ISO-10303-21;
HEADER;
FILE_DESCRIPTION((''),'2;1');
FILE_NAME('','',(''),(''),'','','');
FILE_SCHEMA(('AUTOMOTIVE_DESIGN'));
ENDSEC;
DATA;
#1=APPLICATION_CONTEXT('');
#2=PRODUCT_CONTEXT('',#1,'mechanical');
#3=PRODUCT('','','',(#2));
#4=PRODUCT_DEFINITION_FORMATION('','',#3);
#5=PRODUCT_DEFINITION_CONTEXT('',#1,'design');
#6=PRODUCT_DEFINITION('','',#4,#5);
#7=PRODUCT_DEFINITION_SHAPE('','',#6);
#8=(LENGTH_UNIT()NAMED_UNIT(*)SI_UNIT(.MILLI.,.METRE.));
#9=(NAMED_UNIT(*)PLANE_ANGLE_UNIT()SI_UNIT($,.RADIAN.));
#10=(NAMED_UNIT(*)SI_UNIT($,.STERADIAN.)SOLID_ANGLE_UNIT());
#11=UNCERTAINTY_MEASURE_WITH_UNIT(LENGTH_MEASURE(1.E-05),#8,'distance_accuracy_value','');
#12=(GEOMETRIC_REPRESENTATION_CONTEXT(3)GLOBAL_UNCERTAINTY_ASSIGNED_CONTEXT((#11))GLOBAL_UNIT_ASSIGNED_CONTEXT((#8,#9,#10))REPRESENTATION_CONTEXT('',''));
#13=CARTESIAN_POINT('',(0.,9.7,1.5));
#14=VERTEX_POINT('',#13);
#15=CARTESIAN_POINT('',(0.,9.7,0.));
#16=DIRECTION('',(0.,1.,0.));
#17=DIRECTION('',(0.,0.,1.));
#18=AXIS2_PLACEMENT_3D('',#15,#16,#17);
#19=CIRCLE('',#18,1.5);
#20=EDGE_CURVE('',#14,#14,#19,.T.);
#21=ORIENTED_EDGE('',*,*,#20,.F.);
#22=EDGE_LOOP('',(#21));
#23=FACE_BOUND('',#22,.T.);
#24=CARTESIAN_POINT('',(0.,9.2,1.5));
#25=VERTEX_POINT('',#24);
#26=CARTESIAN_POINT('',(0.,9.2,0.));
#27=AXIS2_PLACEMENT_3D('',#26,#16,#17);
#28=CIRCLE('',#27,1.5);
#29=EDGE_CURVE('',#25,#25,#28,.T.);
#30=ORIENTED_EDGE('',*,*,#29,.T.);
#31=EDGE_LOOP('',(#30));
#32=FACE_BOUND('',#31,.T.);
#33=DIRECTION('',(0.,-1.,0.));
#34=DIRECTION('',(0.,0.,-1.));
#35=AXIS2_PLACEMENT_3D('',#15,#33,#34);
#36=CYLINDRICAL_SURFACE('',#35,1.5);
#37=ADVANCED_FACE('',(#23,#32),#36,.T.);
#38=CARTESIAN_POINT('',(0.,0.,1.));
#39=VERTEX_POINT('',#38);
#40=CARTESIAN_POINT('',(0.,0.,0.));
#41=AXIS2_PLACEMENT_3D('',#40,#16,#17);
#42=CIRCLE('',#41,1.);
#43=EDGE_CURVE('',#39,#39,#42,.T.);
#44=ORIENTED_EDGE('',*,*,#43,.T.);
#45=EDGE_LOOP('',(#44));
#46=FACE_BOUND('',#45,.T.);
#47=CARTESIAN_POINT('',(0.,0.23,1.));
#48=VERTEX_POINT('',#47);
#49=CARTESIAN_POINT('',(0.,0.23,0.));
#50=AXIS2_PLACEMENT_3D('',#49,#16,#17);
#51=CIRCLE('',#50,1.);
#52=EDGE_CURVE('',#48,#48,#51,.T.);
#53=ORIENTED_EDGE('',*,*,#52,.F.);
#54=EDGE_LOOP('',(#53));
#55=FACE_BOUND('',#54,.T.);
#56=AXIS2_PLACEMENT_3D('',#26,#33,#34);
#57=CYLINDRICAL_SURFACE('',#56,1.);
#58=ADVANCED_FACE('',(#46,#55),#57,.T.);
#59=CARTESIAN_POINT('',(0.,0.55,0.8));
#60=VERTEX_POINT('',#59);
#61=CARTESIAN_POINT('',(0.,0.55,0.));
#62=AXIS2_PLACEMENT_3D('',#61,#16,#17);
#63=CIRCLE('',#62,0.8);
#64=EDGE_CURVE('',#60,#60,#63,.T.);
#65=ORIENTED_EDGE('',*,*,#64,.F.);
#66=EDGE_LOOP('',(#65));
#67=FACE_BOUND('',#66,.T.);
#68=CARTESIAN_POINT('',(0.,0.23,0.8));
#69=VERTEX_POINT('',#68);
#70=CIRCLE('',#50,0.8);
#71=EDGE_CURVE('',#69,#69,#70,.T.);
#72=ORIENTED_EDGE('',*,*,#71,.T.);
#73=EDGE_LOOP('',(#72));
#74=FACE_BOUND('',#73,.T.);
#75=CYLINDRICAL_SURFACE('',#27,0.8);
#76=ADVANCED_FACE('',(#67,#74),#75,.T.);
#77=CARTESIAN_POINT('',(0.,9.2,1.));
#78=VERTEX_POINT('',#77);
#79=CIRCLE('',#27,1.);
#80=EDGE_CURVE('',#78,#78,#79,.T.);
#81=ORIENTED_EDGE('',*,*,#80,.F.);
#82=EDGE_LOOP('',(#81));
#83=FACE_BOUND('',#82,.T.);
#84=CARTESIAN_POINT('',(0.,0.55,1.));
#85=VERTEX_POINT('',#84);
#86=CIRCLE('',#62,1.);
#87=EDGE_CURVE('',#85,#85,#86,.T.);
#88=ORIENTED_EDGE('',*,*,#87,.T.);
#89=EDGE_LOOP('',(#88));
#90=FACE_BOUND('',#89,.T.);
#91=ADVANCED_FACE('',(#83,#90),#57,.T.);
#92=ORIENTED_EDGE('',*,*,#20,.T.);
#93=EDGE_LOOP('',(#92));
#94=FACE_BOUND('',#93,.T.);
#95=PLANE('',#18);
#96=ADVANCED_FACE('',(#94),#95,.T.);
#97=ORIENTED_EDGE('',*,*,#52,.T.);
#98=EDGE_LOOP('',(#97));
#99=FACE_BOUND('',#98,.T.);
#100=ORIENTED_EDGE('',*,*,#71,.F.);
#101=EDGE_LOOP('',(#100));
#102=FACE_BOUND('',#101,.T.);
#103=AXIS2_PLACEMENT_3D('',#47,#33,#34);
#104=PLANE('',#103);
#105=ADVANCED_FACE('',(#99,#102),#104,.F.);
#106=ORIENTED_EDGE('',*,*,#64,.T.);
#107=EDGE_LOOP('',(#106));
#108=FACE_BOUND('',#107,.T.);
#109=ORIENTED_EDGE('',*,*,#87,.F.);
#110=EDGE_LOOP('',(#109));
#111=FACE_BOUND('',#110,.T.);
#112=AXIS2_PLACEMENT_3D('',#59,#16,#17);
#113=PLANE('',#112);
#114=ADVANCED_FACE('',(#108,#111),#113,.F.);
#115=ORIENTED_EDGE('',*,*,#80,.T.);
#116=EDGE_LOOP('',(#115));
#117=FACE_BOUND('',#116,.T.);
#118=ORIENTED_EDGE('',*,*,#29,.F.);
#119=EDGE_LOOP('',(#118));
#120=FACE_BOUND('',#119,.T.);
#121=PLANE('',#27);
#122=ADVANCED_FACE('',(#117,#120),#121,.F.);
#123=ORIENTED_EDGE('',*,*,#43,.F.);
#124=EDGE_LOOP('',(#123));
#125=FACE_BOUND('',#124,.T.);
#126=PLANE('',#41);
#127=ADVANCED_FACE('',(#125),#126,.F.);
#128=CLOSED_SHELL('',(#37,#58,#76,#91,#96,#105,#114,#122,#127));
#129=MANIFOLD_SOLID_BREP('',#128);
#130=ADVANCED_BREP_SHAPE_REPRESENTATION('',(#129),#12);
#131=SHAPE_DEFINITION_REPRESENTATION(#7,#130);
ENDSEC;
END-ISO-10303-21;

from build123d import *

# Parameters (mm, degrees)
SKETCH1_R           = 1
BOSS_EXTRUDE1_DEPTH = 9.2
SKETCH2_R           = 1.5
BOSS_EXTRUDE2_DEPTH = 0.5
SKETCH4_W           = 0.2
SKETCH4_H           = 0.32


with BuildPart() as part:
    # Sketch1 → Boss-Extrude1 (new body)
    with BuildSketch(Plane(origin=(0, 0, 0), x_dir=(1, 0, 0), z_dir=(0, 1, 0))):
        with Locations(Location((0, 0, 0), (0, 0, 270))):
            Circle(SKETCH1_R)
    extrude(amount=BOSS_EXTRUDE1_DEPTH)

    # Sketch2 → Boss-Extrude2 (add)
    with BuildSketch(Plane(origin=(0, 9.2, 0), x_dir=(1, 0, 0), z_dir=(0, 1, 0))):
        with Locations(Location((0, 0, 0), (0, 0, 270))):
            Circle(SKETCH2_R)
    extrude(amount=BOSS_EXTRUDE2_DEPTH)

    # Sketch4 → Cut-Revolve4 (revolve, cut)
    with BuildSketch(Plane(origin=(0, 0, 0), x_dir=(0, 0, -1), z_dir=(1, 0, 0))):
        with Locations((-0.9, 0.39)):
            Rectangle(SKETCH4_W, SKETCH4_H)
    revolve(axis=Axis((0, 9.2, 0), (0, -1, 0)), mode=Mode.SUBTRACT)


solid = part.part
